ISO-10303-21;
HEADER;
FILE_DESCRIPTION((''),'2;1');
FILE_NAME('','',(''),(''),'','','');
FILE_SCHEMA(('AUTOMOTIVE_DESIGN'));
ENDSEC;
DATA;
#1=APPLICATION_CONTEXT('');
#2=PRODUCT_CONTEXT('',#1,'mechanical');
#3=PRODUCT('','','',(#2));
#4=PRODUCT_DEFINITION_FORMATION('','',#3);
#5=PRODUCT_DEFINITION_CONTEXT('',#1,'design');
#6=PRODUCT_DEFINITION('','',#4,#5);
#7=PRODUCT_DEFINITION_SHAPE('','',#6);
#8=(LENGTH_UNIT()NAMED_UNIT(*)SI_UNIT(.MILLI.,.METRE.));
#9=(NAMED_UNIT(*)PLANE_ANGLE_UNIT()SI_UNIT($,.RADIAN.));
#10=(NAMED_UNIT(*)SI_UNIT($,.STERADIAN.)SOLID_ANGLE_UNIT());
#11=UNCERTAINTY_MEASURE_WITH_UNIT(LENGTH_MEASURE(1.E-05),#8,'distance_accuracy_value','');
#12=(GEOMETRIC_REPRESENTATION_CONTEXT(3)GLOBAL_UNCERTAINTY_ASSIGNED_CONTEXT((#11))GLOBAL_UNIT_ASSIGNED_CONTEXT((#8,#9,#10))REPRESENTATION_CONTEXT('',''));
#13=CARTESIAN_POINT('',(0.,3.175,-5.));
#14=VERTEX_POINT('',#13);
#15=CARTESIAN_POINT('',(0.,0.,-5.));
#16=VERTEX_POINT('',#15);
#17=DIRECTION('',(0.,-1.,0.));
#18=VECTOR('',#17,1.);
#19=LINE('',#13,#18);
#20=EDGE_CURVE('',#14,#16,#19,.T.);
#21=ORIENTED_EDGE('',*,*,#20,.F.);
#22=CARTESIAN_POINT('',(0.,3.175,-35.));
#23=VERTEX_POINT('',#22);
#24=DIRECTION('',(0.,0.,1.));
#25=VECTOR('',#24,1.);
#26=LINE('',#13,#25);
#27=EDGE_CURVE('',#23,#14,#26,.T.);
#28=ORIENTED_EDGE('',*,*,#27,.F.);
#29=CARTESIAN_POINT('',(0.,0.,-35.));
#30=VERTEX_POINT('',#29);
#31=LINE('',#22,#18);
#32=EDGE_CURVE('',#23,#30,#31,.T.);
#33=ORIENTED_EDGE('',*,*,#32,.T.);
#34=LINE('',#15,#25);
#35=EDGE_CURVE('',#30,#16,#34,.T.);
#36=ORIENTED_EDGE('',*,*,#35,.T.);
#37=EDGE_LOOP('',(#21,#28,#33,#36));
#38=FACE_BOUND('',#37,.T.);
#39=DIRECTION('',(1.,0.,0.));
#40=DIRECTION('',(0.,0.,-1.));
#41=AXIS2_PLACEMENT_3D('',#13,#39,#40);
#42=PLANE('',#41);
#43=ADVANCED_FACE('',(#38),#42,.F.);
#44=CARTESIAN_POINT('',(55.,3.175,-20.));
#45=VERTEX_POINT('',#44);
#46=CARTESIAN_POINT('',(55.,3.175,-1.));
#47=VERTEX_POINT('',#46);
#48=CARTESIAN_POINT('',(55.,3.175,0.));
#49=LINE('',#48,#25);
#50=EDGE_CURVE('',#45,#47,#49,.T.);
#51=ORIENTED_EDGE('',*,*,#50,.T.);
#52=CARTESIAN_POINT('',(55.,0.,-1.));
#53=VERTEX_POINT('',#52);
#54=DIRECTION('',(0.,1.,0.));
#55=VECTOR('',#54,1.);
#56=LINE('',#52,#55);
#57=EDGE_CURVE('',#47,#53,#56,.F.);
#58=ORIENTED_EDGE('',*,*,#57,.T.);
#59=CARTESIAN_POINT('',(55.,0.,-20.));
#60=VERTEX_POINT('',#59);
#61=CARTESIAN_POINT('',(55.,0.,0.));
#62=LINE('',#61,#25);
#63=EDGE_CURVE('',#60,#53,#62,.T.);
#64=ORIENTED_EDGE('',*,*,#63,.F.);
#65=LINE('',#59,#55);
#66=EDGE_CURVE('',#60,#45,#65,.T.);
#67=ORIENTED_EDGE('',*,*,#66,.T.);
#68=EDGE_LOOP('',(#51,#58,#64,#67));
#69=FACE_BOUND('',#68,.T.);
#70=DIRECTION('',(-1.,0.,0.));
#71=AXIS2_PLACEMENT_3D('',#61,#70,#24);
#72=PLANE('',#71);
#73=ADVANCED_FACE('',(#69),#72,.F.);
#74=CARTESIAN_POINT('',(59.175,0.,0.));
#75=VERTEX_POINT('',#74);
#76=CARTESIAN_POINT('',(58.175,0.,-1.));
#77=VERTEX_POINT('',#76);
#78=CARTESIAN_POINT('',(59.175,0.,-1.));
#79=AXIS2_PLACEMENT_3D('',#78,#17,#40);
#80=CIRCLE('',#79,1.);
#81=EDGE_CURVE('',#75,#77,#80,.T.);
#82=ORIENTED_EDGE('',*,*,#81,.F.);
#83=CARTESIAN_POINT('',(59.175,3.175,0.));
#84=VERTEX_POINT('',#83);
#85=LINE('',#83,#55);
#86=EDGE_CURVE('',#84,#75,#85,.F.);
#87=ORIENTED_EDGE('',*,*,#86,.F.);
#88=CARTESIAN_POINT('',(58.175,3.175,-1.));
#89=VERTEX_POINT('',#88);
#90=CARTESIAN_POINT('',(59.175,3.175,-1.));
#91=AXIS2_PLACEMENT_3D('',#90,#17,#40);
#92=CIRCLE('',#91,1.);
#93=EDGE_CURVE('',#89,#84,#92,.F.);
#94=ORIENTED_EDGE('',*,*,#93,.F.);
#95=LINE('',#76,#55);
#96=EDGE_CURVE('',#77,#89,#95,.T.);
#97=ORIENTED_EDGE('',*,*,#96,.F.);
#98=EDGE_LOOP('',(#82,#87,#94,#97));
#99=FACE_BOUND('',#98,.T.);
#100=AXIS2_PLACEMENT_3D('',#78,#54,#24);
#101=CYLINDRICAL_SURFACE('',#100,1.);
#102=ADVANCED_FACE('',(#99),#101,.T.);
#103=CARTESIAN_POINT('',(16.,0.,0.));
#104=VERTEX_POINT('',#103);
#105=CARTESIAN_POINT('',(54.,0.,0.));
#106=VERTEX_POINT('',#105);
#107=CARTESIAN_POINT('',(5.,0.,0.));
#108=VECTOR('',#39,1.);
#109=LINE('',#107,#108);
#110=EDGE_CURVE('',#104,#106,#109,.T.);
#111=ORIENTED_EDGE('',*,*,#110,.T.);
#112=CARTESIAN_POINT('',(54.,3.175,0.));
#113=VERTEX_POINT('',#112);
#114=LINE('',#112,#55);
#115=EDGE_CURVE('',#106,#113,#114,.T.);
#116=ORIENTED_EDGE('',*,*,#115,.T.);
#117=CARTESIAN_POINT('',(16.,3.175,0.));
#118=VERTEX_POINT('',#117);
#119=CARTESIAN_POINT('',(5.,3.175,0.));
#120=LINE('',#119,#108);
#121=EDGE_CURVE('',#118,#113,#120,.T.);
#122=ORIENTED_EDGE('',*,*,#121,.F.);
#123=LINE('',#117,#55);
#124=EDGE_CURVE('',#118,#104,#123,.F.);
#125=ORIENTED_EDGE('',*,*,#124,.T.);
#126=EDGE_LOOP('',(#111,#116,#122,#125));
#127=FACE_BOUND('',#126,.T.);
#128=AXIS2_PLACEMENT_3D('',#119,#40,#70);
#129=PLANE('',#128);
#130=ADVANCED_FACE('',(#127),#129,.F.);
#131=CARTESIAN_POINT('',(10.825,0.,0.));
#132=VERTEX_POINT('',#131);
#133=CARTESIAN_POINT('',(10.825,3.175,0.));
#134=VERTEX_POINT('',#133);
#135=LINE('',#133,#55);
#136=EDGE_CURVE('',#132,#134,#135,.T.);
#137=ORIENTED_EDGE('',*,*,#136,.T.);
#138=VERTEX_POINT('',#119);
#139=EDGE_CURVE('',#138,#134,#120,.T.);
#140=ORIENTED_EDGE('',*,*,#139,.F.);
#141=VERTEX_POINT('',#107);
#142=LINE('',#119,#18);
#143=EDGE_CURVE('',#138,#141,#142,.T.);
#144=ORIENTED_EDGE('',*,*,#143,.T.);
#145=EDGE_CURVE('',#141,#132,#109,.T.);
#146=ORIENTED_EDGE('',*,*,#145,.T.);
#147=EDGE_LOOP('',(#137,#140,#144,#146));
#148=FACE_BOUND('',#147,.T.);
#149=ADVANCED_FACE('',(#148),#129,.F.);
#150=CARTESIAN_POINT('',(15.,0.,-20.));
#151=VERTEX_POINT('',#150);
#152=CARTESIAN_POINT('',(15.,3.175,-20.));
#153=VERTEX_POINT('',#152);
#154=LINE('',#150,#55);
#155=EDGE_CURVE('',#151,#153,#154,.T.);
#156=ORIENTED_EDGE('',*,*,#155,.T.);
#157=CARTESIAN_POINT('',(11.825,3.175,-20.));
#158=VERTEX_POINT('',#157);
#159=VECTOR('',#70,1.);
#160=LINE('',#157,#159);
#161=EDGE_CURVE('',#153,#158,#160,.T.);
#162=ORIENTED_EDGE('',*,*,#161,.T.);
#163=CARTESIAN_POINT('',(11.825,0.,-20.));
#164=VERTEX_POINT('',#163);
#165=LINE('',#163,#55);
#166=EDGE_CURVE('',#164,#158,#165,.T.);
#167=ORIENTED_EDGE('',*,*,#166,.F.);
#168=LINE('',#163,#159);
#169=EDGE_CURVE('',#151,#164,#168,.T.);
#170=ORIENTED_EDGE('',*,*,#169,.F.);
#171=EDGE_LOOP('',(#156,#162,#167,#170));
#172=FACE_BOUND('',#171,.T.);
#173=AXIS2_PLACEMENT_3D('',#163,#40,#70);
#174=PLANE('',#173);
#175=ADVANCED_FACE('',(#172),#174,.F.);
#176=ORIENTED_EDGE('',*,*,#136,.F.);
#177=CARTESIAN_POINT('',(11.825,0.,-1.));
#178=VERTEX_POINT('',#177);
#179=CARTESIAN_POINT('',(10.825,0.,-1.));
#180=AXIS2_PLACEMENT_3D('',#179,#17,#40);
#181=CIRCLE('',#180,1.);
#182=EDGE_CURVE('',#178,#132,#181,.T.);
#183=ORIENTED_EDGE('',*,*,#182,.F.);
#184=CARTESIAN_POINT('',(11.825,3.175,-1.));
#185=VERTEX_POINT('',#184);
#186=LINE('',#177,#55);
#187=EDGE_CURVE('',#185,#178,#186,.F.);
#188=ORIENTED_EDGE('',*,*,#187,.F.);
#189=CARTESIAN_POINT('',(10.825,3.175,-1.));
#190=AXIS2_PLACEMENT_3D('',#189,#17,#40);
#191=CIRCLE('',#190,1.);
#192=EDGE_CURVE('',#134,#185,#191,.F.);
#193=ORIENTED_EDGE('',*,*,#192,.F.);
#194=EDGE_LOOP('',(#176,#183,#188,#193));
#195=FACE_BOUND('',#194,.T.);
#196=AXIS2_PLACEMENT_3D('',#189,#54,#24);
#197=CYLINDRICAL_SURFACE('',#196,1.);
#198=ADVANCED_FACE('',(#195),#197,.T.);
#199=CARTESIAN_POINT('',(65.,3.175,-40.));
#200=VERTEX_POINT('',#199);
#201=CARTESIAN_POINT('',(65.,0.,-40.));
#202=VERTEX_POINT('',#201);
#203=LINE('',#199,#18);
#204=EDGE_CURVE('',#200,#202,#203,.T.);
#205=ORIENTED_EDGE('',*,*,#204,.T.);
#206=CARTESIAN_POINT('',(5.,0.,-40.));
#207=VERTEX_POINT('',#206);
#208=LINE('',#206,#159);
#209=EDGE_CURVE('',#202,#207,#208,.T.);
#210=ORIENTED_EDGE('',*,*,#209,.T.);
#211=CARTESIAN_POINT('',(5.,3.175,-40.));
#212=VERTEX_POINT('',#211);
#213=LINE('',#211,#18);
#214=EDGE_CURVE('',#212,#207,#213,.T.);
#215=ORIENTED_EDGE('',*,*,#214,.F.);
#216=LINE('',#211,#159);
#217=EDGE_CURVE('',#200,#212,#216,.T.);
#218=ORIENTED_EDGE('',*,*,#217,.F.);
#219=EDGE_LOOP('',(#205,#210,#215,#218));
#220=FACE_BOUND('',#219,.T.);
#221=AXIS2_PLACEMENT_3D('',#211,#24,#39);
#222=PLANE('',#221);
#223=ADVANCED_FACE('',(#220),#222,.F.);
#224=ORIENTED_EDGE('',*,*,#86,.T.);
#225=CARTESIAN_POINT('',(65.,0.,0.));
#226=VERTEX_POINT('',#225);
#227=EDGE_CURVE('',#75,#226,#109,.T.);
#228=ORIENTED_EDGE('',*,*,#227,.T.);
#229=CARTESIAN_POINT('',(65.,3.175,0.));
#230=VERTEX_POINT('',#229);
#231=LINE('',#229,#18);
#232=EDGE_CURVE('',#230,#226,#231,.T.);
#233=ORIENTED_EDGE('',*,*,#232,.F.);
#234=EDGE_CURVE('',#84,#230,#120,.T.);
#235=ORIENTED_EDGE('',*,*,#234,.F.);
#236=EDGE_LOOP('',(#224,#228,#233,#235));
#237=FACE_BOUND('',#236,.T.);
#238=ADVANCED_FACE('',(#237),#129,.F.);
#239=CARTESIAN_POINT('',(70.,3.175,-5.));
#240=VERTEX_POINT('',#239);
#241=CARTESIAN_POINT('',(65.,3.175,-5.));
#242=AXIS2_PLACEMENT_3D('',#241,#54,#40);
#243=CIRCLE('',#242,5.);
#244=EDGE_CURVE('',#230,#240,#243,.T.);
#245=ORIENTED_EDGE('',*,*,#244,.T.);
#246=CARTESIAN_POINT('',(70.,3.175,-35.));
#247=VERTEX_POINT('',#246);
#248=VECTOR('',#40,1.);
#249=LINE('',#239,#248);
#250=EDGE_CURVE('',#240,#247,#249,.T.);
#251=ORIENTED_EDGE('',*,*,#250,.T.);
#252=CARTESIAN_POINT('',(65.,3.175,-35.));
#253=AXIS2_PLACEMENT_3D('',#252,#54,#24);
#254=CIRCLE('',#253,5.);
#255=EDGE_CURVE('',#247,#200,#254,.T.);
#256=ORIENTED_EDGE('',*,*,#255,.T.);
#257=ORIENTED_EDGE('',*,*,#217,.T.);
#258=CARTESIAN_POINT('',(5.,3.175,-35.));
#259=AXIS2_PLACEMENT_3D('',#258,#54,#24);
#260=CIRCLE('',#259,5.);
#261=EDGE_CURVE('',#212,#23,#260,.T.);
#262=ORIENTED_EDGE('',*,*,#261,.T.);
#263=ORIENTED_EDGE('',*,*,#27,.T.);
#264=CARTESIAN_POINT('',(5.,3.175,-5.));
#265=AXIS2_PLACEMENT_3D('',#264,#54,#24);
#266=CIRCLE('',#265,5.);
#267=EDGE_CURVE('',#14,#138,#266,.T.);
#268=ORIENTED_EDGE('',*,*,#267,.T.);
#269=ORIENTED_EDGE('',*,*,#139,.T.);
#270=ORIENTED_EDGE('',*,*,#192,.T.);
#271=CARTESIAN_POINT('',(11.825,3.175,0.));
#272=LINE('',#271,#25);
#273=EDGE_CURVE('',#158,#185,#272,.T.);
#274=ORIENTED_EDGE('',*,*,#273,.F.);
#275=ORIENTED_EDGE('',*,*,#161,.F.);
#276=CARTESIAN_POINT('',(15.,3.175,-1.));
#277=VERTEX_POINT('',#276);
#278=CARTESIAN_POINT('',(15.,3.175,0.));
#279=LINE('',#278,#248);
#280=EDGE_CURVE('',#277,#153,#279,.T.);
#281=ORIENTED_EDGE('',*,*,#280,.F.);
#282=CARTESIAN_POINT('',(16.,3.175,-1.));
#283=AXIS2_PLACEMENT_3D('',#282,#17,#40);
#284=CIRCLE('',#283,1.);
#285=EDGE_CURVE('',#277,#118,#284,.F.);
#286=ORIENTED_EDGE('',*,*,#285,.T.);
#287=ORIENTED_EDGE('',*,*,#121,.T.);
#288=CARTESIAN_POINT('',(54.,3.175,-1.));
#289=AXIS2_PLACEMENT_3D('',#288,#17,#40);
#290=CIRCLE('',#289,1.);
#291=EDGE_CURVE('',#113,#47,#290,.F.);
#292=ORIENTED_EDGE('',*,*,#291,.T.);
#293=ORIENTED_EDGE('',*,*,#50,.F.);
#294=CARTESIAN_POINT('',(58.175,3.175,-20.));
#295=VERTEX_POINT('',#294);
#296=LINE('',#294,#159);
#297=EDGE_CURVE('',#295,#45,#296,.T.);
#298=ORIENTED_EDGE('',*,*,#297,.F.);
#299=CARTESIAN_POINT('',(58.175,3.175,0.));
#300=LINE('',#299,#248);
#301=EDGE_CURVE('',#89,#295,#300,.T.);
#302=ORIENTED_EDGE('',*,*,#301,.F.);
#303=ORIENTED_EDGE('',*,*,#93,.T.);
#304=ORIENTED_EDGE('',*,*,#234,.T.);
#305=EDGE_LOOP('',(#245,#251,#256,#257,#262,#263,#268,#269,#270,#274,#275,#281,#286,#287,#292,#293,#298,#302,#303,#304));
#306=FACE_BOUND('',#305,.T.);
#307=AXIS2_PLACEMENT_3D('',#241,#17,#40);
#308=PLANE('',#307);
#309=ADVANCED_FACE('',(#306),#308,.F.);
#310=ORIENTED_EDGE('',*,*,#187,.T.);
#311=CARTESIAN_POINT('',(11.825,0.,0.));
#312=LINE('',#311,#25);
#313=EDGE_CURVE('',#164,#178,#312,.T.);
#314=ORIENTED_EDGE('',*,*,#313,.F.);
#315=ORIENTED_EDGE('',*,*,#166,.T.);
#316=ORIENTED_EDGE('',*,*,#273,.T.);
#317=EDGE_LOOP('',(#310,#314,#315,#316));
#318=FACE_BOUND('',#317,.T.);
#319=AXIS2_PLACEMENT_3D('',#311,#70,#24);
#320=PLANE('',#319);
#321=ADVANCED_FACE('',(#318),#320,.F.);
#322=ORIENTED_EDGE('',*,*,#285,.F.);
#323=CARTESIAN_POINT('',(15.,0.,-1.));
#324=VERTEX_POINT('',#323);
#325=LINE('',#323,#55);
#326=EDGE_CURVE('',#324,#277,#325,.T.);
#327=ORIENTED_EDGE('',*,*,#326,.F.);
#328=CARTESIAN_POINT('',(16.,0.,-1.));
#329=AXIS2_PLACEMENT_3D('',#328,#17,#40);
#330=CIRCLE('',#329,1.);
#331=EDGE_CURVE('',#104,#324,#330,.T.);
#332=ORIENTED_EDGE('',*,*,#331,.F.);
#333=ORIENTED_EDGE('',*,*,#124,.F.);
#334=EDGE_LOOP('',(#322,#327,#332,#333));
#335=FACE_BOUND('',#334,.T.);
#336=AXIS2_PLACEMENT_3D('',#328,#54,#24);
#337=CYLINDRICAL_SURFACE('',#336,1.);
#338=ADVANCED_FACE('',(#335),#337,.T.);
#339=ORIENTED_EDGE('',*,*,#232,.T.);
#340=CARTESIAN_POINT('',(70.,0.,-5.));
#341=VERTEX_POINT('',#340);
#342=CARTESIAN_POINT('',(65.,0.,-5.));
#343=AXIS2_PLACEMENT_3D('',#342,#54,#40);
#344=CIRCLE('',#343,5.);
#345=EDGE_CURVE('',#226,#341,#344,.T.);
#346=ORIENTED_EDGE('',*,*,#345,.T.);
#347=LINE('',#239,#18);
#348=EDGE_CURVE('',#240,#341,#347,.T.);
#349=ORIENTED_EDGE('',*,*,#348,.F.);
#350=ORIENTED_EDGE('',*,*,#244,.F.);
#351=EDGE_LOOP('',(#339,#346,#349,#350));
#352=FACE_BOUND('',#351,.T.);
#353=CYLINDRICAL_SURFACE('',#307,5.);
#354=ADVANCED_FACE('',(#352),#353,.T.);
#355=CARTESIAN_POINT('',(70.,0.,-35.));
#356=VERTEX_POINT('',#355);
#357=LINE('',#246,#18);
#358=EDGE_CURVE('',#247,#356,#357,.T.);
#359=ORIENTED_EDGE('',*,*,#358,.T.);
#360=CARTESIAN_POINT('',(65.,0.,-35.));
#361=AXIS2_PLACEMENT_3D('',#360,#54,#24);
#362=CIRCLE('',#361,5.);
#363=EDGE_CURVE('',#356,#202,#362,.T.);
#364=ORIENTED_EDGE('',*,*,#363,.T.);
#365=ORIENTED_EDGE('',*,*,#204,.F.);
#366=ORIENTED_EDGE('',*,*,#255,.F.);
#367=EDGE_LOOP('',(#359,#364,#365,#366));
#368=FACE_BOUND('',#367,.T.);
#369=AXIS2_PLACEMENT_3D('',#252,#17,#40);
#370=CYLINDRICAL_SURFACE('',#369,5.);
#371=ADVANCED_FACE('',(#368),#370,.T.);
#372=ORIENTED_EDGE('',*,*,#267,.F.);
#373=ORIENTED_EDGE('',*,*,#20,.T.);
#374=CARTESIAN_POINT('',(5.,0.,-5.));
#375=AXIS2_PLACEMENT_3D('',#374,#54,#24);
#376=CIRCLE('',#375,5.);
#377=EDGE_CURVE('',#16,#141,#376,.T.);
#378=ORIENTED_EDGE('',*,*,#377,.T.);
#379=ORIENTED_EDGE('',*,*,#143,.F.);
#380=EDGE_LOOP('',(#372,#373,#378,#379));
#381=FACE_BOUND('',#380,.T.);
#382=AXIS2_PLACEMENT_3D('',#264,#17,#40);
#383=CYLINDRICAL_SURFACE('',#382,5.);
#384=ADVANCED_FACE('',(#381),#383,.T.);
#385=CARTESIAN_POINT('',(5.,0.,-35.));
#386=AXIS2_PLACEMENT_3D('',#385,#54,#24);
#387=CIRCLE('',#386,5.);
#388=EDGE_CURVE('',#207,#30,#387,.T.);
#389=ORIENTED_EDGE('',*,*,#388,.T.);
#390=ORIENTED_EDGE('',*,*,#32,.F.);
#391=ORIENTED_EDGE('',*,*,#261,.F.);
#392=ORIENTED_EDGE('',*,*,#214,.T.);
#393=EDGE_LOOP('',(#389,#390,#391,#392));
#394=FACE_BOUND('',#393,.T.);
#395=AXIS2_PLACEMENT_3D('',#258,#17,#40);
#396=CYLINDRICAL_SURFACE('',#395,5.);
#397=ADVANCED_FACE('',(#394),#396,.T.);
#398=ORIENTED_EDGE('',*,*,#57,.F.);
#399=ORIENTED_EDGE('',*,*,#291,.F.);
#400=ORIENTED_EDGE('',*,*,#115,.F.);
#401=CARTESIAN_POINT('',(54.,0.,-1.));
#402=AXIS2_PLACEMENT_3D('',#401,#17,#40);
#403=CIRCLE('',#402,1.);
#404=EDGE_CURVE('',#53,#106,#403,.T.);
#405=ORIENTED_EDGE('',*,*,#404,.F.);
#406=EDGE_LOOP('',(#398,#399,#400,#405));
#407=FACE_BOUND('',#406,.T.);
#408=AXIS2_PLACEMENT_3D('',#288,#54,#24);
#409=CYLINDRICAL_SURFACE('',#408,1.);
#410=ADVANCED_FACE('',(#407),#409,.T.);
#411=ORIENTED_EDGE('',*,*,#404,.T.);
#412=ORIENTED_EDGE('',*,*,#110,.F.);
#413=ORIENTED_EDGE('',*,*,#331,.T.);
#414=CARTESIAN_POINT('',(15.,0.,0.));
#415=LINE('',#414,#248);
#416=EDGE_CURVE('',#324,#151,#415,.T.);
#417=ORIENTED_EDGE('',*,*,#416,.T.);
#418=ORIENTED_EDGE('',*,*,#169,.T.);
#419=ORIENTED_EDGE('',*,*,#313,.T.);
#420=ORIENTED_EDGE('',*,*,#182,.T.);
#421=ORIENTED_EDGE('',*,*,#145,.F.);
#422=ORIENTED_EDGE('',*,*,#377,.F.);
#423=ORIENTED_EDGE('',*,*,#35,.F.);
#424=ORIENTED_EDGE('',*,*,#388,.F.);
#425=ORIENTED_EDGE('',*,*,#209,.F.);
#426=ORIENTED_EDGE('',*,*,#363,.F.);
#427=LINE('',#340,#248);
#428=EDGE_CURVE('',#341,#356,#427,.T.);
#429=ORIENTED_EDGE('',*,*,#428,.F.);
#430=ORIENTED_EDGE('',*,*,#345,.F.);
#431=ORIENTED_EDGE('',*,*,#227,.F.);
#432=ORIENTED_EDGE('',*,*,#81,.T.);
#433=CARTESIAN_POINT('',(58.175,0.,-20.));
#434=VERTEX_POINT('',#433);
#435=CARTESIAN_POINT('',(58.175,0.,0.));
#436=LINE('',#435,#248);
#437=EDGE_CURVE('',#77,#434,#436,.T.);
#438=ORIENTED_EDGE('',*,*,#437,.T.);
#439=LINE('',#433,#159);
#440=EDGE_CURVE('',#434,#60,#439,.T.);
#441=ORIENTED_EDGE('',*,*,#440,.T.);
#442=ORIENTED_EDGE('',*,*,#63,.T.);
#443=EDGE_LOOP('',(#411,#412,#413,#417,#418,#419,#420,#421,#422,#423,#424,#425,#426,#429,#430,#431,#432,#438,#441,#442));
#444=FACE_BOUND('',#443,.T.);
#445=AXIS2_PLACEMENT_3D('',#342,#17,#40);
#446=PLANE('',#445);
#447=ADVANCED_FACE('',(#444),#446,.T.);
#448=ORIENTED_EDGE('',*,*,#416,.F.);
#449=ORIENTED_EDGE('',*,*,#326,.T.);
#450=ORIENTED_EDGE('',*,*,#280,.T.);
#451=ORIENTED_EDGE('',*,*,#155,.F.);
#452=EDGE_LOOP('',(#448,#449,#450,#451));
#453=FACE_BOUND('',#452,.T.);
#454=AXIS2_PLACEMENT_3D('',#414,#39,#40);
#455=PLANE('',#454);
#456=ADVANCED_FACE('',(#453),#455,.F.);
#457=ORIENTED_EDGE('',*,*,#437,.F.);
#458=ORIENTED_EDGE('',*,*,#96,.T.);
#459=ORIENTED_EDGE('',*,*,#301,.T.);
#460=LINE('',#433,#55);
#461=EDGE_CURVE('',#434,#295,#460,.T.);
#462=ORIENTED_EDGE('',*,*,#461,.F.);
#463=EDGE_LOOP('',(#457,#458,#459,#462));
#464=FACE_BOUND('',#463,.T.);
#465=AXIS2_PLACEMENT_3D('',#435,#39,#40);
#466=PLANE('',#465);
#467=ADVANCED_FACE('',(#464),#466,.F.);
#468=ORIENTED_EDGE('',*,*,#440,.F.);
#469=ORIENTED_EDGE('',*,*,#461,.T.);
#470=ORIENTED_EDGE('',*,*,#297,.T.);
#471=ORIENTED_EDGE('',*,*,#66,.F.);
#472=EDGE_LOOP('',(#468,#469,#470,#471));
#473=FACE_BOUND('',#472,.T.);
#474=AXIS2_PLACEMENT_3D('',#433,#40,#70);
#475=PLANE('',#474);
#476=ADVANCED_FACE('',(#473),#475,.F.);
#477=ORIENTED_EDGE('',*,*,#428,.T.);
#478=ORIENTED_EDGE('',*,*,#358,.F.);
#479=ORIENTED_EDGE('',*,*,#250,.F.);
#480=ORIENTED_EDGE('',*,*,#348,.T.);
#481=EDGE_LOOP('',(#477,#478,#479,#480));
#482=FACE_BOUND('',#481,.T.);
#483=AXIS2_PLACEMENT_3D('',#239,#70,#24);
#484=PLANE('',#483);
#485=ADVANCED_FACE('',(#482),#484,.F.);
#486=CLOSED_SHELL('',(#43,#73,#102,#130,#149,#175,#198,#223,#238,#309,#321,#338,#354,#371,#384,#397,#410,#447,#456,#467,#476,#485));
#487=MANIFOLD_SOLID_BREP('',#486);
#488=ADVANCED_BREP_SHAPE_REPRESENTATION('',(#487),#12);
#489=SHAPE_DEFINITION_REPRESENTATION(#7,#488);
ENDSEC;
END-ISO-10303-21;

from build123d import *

# Parameters (mm, degrees)
BOSS_EXTRUDE1_DEPTH = 3.175
SKETCH2_W           = 3.175
SKETCH2_H           = 20
CUT_EXTRUDE1_DEPTH  = 4.175
FILLET1_R           = 1


with BuildPart() as part:
    # Sketch1 → Boss-Extrude1 (new body)
    with BuildSketch(Plane(origin=(0, 0, 0), x_dir=(1, 0, 0), z_dir=(0, 1, 0))):
        with BuildLine():
            Line((5, 0), (65, 0))
            ThreePointArc((65, 0), (68.535533906, 1.464466094), (70, 5))
            Line((70, 5), (70, 35))
            ThreePointArc((70, 35), (68.535533906, 38.535533906), (65, 40))
            Line((65, 40), (5, 40))
            ThreePointArc((5, 40), (1.464466094, 38.535533906), (0, 35))
            Line((0, 35), (0, 5))
            ThreePointArc((0, 5), (1.464466094, 1.464466094), (5, 0))
        make_face()
    extrude(amount=BOSS_EXTRUDE1_DEPTH)

    # Sketch2 → Cut-Extrude1 (cut, through all)
    with BuildSketch(Plane(origin=(0, 3.175, 0), x_dir=(1, 0, 0), z_dir=(0, 1, 0))):
        with Locations((13.4125, 10)):
            Rectangle(SKETCH2_W, SKETCH2_H)
        with Locations((56.5875, 10)):
            Rectangle(SKETCH2_W, SKETCH2_H)
    extrude(amount=-CUT_EXTRUDE1_DEPTH, mode=Mode.SUBTRACT)

    # Fillet1
    fillet1_edges = [part.edges().sort_by_distance(p)[0] for p in [
        (15, 1.5875, 0),
        (58.175, 1.5875, 0),
        (55, 1.5875, 0),
        (11.825, 1.5875, 0),
    ]]
    fillet(fillet1_edges, radius=FILLET1_R)


solid = part.part
